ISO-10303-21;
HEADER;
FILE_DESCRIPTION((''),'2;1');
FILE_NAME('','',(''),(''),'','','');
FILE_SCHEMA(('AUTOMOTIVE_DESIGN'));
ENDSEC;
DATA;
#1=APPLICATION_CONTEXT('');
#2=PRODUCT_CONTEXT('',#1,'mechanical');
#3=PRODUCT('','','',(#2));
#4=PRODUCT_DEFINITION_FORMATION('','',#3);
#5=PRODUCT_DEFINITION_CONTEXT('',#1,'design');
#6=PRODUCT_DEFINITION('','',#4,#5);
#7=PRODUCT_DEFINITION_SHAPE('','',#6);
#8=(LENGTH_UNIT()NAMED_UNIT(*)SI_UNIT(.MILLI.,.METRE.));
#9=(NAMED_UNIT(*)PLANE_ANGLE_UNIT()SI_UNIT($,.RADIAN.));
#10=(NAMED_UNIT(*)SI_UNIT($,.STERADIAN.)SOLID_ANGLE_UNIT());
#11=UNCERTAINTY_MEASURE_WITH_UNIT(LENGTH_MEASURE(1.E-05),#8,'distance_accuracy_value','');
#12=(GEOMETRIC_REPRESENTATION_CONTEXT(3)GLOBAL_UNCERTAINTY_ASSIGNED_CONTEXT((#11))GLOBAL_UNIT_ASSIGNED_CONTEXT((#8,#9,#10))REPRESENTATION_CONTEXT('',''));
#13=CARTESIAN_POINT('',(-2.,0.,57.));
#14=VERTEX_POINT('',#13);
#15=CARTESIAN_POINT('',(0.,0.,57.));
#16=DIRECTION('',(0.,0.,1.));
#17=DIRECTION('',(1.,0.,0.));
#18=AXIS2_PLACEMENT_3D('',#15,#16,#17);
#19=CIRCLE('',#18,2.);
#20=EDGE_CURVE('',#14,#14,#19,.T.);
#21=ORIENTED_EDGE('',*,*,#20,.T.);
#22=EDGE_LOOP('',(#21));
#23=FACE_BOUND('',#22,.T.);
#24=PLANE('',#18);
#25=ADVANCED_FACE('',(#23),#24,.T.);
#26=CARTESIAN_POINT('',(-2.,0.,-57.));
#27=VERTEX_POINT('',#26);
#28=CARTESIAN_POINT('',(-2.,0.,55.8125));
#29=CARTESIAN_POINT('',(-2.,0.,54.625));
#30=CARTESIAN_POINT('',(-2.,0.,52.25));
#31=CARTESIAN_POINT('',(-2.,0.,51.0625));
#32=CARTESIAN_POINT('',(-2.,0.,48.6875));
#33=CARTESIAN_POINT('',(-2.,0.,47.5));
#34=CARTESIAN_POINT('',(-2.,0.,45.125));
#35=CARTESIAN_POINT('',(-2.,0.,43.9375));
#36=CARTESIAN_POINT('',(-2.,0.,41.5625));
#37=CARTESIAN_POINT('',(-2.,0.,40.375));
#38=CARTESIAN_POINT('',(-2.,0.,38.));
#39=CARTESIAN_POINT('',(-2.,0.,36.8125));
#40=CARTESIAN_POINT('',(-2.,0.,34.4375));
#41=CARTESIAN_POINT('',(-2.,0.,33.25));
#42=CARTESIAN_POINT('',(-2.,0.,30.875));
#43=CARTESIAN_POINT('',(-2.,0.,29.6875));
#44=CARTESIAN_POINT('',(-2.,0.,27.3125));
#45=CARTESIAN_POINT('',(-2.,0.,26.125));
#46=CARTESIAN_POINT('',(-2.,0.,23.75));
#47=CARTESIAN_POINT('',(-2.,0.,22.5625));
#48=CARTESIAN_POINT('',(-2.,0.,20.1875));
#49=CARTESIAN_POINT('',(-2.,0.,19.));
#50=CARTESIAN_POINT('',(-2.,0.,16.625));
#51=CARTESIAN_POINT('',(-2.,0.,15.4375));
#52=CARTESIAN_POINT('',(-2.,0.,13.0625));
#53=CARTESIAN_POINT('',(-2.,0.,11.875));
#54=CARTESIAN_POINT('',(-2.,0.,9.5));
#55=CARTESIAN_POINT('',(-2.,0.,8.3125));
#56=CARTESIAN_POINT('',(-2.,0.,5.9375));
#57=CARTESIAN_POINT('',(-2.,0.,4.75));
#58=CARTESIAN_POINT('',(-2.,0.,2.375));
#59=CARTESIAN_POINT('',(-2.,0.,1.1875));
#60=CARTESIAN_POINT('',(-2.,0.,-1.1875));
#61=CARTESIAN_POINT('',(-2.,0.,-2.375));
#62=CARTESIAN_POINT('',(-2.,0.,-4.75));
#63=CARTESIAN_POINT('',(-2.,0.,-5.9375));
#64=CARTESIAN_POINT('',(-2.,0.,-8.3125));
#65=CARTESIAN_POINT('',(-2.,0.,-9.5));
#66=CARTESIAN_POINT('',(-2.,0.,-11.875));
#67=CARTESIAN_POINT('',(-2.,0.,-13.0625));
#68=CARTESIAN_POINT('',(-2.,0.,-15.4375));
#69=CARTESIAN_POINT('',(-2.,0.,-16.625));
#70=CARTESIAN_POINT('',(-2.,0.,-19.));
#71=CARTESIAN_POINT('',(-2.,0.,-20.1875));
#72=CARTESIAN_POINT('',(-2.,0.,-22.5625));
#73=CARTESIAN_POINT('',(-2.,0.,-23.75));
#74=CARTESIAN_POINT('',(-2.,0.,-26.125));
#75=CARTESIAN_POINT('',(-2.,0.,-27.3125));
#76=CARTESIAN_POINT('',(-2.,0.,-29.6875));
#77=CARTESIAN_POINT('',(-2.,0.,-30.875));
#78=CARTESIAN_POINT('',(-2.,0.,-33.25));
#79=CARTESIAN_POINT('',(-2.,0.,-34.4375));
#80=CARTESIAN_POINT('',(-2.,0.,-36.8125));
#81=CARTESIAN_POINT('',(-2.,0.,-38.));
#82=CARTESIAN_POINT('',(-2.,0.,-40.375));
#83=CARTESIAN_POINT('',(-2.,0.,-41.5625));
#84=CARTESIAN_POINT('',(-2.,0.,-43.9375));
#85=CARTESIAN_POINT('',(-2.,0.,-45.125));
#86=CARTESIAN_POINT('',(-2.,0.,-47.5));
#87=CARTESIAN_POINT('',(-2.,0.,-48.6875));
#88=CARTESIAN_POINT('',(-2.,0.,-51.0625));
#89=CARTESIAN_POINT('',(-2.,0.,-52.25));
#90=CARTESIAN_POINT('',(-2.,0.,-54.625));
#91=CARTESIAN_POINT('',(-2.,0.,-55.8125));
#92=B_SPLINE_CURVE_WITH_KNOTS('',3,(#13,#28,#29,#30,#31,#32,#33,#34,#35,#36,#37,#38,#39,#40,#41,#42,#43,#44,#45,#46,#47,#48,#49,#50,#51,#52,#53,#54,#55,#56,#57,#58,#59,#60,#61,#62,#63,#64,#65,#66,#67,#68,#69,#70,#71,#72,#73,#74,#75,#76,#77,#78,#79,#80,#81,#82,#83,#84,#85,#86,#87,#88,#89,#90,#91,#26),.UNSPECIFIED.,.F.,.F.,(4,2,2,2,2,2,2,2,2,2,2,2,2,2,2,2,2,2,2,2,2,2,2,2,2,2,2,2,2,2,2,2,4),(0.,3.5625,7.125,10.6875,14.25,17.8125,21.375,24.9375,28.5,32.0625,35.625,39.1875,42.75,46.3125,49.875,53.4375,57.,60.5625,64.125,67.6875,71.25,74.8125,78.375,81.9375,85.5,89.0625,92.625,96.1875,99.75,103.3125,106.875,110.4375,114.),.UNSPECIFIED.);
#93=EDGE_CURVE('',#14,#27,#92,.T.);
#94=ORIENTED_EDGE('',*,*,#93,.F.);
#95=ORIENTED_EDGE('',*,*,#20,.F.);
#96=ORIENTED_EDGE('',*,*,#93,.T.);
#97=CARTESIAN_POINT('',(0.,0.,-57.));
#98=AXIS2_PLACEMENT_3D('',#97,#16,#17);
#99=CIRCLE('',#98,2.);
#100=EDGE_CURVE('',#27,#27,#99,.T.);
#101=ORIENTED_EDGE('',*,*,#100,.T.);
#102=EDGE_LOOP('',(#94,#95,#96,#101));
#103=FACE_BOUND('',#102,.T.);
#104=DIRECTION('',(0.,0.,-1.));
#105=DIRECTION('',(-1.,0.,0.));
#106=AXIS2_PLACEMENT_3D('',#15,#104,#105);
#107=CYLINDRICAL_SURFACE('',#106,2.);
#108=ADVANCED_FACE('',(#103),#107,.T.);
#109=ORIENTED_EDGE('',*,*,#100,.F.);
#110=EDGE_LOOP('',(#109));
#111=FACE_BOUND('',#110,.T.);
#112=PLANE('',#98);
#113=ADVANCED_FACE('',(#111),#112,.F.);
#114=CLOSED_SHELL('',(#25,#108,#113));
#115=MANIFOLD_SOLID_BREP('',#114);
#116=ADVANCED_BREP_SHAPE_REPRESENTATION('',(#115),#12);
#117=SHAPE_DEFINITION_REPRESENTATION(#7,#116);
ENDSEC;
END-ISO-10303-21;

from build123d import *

# Parameters (mm, degrees)
VARILLA_START = -57
SK_VARILLA_R  = 2
VARILLA_DEPTH = 114


with BuildPart() as part:
    # Sk_Varilla → Varilla (new body)
    with BuildSketch(Plane.XY.offset(VARILLA_START)):
        with Locations(Location((0, 0, 0), (0, 0, 180))):
            Circle(SK_VARILLA_R)
    extrude(amount=VARILLA_DEPTH)


solid = part.part
